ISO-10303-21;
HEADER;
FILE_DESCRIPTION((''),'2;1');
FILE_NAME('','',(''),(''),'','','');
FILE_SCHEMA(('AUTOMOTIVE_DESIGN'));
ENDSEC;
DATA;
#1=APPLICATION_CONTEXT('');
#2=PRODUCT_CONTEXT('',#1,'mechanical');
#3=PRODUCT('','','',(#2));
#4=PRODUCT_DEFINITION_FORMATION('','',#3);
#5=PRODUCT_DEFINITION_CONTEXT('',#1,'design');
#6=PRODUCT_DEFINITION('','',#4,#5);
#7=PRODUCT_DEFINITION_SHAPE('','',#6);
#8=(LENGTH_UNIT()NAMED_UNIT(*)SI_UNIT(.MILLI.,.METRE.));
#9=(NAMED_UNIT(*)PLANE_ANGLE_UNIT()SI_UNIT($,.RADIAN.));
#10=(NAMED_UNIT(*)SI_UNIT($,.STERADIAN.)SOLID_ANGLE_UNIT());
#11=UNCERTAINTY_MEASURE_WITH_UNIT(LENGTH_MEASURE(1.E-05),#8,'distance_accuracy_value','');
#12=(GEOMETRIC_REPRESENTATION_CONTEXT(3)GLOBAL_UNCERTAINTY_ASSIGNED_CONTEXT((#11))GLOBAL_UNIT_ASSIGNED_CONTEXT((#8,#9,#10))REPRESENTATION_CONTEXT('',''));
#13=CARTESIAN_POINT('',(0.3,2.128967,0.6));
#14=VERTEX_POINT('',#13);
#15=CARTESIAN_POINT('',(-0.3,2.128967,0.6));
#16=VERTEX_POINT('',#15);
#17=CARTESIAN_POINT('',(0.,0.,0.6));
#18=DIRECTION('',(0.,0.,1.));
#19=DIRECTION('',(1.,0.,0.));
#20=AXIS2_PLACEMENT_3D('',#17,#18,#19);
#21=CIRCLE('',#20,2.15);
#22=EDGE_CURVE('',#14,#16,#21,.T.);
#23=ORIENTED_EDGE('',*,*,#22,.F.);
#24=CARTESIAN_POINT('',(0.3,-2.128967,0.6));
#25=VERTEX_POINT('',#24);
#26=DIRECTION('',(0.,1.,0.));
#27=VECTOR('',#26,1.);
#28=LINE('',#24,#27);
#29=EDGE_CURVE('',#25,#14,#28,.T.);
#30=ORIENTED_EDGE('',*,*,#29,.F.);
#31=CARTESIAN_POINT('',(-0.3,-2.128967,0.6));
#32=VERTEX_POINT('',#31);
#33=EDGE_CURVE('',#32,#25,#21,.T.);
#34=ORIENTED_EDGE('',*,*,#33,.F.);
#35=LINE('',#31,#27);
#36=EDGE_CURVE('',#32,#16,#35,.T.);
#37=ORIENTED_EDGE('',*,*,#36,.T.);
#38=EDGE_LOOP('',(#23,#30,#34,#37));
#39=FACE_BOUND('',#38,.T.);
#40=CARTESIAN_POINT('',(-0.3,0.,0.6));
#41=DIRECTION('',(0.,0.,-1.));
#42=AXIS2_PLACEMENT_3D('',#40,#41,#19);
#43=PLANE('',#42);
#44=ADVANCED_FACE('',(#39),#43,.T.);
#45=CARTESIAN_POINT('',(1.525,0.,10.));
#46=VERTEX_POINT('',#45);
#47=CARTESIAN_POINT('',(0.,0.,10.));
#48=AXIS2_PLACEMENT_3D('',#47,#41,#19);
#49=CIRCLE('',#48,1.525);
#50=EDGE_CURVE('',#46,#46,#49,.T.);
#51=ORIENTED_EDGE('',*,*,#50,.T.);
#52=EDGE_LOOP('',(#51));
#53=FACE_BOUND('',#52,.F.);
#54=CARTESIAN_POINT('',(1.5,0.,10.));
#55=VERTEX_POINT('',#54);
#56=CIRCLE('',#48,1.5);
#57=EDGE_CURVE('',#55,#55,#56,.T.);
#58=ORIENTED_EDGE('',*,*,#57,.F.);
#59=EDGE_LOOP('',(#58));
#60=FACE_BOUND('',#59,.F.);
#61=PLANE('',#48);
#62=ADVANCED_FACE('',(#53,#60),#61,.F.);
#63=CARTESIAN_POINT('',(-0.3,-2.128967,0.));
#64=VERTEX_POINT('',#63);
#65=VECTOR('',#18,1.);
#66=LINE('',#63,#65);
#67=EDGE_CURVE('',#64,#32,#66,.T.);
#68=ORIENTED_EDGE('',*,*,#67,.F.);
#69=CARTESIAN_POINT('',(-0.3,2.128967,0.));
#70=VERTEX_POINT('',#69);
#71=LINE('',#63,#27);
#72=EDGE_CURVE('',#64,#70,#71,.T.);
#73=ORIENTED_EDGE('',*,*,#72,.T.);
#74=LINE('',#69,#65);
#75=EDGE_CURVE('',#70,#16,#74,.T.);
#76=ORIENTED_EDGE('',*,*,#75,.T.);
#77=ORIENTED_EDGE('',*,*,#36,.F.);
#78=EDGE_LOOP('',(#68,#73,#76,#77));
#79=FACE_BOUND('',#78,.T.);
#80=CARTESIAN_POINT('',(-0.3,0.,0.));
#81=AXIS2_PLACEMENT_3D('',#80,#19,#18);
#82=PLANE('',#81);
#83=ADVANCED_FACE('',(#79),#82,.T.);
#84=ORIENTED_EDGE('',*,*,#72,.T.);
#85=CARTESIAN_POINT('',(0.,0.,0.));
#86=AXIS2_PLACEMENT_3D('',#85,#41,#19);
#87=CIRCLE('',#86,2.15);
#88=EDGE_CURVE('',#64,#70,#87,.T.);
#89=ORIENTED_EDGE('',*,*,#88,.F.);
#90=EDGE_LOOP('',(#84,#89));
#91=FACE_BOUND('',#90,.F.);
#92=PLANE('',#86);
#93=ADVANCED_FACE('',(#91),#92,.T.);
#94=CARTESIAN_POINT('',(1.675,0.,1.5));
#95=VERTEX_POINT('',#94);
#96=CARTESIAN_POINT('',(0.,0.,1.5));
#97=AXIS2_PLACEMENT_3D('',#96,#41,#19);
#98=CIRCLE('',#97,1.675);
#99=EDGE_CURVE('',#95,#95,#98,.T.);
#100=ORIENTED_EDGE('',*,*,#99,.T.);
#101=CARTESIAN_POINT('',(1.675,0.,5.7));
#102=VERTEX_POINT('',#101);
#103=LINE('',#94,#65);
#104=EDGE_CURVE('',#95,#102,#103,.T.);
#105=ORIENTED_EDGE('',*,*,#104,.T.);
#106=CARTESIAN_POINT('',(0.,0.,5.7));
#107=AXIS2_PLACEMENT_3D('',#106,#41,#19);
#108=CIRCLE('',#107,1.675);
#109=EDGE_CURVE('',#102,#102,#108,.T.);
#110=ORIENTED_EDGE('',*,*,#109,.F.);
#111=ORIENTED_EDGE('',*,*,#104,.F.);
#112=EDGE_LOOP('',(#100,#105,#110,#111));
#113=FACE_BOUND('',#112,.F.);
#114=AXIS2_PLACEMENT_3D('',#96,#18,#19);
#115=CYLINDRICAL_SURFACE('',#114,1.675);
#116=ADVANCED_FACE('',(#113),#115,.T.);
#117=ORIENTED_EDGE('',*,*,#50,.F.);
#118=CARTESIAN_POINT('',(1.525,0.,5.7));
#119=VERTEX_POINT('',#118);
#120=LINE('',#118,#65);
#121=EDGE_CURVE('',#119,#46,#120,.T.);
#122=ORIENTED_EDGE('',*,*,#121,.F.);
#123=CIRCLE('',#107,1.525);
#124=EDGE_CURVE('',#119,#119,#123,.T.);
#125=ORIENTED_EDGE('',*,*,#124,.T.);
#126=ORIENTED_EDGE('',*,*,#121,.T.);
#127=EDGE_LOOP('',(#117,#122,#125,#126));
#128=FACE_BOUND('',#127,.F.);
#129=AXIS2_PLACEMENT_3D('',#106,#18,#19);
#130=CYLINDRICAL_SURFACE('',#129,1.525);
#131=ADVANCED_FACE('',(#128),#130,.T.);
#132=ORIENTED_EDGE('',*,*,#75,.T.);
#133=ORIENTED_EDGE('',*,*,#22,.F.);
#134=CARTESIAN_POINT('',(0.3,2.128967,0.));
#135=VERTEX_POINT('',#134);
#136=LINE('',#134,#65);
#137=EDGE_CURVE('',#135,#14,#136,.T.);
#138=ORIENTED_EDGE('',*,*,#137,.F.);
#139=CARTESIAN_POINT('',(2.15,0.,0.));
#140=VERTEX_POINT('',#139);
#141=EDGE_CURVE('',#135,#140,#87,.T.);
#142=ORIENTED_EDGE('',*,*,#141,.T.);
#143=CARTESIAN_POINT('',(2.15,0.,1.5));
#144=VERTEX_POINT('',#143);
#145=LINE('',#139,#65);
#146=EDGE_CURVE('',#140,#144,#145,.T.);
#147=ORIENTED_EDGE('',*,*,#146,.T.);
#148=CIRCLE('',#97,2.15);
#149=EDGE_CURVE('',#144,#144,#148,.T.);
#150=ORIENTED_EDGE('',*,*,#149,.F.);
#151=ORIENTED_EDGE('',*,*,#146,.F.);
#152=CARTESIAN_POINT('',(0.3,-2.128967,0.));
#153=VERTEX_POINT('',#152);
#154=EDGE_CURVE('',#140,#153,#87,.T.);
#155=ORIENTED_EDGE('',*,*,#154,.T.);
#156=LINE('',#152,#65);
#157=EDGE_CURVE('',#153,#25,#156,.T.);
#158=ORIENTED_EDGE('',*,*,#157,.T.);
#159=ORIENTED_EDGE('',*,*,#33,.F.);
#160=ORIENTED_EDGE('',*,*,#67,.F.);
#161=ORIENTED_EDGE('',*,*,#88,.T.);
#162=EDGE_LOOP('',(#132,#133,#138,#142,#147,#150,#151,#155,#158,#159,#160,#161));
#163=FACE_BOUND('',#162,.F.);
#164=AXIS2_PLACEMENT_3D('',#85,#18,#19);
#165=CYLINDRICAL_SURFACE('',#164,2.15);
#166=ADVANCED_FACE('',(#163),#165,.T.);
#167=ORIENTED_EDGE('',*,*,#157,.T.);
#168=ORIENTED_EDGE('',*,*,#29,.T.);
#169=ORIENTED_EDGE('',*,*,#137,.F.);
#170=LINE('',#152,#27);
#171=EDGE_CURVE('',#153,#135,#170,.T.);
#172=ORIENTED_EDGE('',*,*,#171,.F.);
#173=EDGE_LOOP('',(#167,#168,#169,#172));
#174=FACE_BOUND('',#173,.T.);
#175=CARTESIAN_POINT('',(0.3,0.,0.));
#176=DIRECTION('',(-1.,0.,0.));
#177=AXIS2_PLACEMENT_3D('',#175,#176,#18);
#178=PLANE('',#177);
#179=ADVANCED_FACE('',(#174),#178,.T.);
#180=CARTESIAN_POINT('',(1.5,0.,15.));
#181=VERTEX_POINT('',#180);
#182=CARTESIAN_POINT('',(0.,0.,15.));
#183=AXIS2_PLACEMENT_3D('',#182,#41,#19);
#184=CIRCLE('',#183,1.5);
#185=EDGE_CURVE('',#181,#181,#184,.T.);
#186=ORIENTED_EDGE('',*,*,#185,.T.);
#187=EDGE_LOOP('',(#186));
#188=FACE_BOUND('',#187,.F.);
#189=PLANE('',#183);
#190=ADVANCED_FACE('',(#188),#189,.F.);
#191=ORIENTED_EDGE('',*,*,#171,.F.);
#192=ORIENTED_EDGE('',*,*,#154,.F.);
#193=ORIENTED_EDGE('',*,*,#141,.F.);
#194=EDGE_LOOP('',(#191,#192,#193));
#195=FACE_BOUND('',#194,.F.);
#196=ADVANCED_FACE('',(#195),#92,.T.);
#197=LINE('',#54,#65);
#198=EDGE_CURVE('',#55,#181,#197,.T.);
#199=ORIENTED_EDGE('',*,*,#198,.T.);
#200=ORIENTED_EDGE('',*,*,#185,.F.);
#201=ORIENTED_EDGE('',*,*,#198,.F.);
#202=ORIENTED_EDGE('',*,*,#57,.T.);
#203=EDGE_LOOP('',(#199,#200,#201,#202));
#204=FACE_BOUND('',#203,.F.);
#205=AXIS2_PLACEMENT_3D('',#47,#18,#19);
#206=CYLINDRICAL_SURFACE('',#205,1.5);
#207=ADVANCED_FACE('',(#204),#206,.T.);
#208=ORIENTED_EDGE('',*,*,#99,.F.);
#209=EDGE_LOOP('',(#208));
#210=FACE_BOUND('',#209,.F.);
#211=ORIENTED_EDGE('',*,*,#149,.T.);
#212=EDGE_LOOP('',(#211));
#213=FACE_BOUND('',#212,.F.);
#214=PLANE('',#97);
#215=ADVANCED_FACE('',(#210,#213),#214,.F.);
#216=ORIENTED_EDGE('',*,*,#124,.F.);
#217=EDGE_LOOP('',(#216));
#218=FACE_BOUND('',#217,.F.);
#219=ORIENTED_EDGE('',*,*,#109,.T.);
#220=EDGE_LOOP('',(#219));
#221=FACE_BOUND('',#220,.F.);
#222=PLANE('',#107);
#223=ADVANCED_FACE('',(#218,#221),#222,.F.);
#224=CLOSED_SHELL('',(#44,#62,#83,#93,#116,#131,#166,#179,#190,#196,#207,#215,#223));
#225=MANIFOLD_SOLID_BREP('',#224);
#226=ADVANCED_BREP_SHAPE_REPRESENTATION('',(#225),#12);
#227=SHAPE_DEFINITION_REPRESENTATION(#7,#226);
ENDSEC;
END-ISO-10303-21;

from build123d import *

# Parameters (mm, degrees)
F2_W          = 0.6
F2_H          = 0.6
F3_DEPTH      = 2.151
F3_DEPTH_BACK = 2.151


with BuildPart() as f1:
    # F0 (on Front) → F1 (revolve)
    with BuildSketch(Plane.XZ):
        Polygon((0, 15), (0, 0), (2.15, 0), (2.15, 1.5), (1.675, 1.5), (1.675, 5.7), (1.525, 5.7), (1.525, 10), (1.5, 10), (1.5, 15), align=None)
    revolve(axis=Axis((0, 0, 8.8781863451), (0, 0, -1)))

    # F2 (on Front) → F3 (cut, two sides)
    with BuildSketch(Plane.XZ) as f3_sk:
        with Locations((0, 0.3)):
            Rectangle(F2_W, F2_H)
    extrude(amount=-F3_DEPTH, mode=Mode.SUBTRACT)
    extrude(f3_sk.sketch, amount=F3_DEPTH_BACK, mode=Mode.SUBTRACT)


solid = f1.part
